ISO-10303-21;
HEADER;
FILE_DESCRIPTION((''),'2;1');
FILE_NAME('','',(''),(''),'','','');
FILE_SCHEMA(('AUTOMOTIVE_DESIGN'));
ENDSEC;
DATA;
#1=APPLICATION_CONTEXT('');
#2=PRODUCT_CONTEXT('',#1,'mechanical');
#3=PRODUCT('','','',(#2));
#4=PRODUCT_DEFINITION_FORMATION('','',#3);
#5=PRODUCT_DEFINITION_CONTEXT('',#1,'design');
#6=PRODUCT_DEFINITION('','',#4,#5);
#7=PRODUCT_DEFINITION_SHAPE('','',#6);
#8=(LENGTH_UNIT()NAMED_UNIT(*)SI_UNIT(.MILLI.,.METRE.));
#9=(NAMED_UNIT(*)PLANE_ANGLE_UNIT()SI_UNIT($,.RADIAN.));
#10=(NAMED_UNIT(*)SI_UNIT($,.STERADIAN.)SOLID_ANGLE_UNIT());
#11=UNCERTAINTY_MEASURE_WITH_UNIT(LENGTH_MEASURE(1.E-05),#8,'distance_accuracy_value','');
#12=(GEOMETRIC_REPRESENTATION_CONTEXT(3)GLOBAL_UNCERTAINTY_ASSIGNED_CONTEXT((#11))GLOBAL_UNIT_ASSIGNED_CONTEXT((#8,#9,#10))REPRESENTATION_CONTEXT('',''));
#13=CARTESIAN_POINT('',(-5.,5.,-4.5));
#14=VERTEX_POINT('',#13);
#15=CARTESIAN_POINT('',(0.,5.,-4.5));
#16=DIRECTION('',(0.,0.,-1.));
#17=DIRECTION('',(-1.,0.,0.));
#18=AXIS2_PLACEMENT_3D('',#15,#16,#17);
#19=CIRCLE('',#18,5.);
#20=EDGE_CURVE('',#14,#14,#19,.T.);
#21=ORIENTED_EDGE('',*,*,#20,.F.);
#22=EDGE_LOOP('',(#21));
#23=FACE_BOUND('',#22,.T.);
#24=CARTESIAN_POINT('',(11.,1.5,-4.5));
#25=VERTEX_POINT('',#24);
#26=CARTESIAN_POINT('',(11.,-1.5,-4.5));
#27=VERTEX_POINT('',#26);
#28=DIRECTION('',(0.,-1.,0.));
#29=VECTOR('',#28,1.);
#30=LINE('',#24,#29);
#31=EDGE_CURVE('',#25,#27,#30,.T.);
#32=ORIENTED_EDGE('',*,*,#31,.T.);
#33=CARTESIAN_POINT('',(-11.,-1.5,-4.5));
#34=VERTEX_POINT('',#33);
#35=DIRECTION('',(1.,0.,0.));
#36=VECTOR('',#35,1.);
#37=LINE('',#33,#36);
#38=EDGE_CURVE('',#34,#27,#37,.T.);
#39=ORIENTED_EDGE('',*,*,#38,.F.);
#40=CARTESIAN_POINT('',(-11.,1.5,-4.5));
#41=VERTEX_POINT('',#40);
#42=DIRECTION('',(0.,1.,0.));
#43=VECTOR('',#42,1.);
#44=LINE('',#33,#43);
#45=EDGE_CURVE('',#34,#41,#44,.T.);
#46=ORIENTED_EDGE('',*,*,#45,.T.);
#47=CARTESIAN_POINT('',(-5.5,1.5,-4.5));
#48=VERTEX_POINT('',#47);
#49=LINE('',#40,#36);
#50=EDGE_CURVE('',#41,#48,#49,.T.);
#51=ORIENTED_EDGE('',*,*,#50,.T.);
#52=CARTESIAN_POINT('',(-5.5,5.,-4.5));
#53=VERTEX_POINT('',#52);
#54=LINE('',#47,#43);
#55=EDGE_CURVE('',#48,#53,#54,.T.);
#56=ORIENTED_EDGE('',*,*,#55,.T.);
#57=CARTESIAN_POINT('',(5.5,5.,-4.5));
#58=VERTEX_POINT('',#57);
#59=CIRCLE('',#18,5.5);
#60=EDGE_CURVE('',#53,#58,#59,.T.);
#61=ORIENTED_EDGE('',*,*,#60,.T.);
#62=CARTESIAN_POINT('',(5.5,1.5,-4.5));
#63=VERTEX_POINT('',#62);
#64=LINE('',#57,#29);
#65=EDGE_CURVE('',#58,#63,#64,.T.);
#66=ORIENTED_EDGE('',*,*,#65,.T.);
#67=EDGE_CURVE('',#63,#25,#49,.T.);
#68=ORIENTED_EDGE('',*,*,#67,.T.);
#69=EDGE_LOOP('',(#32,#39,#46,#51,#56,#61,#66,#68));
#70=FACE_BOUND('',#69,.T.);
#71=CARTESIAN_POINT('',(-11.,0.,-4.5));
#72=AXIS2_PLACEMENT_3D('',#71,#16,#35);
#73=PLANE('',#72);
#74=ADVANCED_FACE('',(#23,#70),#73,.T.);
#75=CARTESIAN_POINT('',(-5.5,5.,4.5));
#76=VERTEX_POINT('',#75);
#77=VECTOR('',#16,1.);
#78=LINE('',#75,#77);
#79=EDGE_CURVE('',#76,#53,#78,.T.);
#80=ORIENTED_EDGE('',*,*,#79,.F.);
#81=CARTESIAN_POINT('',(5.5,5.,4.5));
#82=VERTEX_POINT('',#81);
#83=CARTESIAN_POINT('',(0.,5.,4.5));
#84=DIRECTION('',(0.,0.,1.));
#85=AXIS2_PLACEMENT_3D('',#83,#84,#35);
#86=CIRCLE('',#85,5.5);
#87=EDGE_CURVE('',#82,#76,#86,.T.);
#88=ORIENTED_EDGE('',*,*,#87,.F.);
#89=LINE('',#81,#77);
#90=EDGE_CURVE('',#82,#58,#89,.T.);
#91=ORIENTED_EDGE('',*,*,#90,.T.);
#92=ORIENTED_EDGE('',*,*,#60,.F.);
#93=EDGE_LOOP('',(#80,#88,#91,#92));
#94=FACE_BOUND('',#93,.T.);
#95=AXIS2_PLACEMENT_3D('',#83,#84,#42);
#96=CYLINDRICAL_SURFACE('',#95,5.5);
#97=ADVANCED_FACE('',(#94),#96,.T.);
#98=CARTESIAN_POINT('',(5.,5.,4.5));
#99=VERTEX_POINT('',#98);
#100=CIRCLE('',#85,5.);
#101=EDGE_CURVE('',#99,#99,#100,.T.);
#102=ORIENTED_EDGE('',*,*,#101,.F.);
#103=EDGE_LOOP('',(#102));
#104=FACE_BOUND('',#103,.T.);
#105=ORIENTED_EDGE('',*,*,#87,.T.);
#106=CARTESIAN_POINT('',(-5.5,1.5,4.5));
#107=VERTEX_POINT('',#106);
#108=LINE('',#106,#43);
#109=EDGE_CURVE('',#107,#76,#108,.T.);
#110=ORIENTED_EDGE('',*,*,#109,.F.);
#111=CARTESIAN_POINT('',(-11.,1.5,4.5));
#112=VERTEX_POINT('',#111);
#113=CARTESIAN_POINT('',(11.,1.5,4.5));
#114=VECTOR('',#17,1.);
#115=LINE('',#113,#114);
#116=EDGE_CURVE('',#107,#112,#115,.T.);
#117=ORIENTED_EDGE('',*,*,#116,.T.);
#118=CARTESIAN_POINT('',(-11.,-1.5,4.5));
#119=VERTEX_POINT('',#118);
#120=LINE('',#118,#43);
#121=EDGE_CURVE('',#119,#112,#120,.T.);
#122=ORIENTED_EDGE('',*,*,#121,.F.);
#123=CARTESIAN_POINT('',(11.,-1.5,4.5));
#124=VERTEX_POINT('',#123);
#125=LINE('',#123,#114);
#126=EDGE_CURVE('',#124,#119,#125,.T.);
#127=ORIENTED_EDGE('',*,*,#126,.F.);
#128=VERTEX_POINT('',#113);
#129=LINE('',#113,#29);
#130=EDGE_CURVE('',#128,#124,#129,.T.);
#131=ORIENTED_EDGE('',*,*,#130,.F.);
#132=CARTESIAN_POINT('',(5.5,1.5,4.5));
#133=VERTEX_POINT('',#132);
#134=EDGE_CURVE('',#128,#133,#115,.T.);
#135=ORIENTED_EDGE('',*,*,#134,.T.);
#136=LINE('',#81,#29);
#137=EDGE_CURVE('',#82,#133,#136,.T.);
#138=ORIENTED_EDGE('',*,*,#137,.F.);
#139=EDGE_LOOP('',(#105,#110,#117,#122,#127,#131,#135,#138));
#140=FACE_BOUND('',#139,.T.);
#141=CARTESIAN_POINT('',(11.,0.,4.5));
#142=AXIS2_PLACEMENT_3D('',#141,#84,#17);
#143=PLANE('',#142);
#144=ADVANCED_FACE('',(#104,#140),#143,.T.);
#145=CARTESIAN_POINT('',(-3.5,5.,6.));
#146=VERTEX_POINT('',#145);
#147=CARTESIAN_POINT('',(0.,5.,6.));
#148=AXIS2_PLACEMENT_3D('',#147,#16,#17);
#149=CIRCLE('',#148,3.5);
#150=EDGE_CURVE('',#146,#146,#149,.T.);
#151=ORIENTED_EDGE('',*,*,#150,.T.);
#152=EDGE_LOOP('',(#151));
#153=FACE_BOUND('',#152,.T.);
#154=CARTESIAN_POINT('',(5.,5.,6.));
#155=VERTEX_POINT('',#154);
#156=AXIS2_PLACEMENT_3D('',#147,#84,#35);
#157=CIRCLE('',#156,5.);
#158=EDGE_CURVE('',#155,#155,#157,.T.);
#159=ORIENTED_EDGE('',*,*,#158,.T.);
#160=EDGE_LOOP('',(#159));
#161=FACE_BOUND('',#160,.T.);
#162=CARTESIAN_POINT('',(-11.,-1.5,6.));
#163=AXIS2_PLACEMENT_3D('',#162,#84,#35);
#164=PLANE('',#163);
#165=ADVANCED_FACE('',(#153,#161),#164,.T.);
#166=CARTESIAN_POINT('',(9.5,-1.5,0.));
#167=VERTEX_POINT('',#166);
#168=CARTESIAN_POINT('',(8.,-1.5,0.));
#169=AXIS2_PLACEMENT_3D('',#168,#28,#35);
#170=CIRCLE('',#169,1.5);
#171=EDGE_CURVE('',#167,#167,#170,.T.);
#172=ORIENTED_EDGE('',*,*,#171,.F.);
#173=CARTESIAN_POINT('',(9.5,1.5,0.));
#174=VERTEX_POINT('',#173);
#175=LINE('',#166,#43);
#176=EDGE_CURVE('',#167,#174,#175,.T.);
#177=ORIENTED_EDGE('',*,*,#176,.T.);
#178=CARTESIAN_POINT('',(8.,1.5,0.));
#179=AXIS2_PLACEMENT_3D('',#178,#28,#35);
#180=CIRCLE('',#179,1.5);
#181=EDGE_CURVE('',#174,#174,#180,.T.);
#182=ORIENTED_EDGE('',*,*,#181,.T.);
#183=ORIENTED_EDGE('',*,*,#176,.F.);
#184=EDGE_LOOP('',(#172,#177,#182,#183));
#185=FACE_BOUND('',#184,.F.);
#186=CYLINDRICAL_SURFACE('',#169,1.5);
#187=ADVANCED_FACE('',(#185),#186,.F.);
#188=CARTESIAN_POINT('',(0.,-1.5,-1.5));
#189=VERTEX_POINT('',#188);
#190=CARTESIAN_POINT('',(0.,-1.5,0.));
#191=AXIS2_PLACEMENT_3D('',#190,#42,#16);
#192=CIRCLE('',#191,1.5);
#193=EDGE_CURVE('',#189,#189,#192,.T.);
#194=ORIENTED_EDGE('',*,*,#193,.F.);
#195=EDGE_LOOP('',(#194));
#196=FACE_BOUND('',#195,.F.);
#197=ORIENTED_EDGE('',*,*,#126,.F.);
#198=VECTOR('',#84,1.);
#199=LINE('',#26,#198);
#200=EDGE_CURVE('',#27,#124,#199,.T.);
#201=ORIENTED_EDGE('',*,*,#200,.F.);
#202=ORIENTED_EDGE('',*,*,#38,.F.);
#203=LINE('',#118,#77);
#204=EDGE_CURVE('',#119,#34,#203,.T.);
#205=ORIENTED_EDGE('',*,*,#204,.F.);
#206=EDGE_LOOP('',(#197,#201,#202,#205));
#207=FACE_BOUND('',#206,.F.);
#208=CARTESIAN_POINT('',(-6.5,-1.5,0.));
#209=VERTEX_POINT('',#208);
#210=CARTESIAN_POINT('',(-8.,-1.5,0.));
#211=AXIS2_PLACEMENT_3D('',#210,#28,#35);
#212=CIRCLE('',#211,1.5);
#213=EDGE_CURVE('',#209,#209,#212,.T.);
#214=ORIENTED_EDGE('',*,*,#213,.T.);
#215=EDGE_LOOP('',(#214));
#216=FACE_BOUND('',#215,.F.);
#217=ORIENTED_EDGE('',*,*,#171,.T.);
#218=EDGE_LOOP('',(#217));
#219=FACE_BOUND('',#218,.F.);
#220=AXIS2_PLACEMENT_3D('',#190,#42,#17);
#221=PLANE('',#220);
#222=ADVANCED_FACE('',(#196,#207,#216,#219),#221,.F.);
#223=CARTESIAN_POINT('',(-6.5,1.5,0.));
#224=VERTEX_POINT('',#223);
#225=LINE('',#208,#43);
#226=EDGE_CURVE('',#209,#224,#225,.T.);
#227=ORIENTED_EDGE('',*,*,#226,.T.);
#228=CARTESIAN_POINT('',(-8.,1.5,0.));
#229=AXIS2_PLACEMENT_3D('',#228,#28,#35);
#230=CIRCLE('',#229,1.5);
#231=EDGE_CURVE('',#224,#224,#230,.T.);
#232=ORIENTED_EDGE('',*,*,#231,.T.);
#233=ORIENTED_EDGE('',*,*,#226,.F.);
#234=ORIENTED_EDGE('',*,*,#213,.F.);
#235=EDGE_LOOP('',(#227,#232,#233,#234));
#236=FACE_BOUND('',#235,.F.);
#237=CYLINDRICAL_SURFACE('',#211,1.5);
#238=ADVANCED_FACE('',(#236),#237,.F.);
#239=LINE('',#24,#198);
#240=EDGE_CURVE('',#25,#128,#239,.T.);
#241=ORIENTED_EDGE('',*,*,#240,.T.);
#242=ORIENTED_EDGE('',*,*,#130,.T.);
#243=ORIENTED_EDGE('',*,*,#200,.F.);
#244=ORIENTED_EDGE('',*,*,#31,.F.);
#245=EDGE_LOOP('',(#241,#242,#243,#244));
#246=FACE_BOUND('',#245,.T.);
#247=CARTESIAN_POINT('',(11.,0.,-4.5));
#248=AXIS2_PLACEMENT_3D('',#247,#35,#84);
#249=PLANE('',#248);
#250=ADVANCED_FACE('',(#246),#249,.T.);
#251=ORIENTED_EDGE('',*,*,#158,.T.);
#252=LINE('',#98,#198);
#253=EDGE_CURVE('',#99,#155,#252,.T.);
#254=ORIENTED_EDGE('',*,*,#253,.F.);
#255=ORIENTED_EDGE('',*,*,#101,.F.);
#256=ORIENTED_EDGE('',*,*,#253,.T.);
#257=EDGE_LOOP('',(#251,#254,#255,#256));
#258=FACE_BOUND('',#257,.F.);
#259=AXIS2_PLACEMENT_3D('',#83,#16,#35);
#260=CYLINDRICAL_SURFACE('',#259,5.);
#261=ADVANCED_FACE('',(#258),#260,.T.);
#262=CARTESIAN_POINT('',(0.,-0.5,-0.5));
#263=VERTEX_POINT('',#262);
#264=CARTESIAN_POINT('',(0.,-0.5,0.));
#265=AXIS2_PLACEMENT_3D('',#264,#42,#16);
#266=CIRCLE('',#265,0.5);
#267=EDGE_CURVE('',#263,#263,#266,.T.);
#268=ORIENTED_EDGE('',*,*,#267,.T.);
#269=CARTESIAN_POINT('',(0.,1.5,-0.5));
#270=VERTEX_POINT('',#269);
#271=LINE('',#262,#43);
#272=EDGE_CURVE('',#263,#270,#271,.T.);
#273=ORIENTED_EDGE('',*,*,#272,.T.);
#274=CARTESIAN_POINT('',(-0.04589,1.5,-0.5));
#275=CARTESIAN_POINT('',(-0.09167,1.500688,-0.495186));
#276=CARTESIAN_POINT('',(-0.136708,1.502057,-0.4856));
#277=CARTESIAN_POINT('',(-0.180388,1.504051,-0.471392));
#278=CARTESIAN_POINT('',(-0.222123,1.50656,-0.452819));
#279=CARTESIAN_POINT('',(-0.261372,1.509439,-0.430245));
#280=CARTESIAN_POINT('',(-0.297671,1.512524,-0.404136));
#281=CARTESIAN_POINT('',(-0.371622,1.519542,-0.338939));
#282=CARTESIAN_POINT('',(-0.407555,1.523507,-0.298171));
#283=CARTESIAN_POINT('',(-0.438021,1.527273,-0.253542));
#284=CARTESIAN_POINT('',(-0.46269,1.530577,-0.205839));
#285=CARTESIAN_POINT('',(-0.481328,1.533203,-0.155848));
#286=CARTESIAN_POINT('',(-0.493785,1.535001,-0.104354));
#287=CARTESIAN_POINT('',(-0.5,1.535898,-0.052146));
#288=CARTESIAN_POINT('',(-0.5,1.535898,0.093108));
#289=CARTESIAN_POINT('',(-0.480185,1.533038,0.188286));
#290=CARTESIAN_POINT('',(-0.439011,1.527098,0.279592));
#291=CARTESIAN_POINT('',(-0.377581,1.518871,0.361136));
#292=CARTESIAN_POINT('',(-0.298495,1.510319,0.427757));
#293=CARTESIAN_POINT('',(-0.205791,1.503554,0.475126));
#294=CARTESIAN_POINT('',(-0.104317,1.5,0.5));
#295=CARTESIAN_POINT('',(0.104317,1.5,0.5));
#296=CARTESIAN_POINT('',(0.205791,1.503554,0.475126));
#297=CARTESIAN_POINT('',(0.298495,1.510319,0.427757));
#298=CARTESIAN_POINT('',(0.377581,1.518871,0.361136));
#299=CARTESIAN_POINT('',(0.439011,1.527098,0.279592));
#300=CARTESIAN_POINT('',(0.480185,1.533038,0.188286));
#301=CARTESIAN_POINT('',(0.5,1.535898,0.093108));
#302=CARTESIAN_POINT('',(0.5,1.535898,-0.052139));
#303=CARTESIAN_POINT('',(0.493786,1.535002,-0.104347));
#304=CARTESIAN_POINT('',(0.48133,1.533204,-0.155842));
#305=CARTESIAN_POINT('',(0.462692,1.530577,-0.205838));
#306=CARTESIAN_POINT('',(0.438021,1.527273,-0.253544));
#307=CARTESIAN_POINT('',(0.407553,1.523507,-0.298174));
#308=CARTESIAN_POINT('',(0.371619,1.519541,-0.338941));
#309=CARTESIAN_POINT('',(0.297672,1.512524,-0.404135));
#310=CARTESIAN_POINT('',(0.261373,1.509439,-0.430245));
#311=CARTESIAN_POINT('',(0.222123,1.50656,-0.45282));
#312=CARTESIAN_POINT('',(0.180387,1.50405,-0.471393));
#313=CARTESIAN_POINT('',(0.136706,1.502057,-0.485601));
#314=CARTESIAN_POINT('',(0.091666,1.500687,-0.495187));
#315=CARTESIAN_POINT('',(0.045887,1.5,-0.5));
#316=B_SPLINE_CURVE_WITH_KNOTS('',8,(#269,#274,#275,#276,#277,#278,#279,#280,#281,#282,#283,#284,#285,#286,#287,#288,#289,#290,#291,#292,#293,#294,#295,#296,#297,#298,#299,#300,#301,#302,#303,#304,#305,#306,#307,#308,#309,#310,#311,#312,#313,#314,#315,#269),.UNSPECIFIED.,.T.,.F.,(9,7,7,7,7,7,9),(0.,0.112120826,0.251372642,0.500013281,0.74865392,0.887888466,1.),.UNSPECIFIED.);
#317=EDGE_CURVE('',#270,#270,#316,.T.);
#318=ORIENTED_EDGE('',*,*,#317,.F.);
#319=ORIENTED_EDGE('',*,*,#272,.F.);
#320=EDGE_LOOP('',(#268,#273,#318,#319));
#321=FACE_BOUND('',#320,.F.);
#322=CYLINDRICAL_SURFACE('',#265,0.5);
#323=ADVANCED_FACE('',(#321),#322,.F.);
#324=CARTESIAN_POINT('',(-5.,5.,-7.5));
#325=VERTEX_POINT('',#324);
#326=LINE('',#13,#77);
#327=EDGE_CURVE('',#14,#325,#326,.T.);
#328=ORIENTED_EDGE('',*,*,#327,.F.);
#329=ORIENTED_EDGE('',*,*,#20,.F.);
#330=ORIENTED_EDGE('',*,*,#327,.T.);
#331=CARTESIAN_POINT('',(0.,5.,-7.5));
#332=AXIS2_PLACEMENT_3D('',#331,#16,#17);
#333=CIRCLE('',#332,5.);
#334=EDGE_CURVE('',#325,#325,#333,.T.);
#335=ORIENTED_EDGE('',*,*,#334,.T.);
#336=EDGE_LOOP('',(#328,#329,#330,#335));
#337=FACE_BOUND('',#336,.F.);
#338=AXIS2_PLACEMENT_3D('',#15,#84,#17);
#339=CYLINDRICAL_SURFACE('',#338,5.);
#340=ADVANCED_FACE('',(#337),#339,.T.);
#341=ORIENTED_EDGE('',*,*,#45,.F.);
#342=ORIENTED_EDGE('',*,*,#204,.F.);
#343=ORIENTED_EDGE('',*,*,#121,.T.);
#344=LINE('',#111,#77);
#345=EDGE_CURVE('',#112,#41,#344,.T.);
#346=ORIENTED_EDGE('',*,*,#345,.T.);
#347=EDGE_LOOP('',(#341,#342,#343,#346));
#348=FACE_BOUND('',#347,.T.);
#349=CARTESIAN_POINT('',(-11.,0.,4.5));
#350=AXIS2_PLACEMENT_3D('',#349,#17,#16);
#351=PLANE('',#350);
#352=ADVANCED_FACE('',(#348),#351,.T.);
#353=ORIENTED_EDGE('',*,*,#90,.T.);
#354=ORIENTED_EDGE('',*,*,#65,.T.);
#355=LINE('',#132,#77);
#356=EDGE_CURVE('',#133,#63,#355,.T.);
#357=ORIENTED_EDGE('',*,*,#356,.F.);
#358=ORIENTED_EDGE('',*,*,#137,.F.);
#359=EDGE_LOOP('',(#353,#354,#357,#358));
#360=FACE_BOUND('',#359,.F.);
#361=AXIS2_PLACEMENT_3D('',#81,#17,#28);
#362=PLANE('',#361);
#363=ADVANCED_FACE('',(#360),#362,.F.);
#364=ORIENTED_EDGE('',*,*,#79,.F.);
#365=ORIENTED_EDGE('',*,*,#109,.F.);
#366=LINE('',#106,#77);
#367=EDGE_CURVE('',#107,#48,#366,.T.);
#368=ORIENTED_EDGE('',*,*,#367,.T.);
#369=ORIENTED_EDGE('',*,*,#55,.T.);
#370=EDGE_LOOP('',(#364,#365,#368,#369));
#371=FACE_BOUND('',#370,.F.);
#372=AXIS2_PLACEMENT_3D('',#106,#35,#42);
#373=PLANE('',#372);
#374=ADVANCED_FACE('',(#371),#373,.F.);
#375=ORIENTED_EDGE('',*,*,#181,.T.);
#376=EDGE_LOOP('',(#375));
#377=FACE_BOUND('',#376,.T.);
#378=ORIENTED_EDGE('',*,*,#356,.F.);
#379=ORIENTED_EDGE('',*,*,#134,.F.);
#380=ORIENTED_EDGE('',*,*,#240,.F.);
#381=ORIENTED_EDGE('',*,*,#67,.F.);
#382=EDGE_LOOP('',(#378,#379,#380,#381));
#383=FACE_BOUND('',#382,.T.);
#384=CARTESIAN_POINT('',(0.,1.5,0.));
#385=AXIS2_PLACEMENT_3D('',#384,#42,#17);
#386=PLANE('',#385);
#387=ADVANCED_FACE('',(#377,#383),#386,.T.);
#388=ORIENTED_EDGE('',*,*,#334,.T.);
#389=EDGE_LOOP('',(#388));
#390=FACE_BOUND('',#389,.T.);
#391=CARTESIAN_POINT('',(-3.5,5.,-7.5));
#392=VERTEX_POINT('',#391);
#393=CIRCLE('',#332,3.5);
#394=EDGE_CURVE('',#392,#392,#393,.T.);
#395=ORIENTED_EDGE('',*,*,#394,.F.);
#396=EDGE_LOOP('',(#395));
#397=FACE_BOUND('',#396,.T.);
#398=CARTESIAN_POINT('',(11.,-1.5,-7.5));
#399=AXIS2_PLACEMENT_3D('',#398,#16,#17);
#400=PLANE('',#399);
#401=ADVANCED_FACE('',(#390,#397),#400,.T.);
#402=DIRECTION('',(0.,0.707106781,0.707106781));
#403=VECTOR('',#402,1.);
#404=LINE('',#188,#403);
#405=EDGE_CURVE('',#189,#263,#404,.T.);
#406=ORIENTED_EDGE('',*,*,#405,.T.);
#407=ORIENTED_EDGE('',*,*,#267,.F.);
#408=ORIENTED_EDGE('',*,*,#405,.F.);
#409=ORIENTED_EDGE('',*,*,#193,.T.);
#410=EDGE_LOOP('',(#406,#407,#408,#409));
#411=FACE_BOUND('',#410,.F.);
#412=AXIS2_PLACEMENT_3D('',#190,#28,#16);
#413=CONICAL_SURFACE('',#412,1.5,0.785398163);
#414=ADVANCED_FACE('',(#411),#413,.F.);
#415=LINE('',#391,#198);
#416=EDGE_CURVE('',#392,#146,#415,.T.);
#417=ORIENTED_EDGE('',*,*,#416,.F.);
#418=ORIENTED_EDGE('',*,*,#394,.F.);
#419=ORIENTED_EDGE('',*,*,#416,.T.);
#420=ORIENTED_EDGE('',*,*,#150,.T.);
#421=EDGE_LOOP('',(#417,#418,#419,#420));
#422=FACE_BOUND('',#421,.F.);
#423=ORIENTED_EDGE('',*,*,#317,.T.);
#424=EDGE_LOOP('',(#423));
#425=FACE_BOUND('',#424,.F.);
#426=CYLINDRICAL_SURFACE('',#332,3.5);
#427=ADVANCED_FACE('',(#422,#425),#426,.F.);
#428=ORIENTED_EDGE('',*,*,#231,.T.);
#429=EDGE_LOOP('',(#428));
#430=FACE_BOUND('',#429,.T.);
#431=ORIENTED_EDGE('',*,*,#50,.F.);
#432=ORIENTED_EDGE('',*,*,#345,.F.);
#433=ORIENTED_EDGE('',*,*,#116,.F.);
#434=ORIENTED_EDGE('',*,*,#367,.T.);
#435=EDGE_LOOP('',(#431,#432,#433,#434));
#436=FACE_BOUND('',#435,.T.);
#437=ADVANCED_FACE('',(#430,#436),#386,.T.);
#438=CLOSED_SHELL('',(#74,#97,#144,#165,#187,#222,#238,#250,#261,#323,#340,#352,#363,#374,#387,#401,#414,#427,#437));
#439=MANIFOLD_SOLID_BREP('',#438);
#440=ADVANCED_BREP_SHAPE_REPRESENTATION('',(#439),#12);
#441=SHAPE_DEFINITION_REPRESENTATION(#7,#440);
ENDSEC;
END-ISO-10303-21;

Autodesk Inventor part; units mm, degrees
ref_plane "YZ Plane" through (0, 0, 0) normal (1, 0, 0) x (0, 1, 0)
ref_plane "XZ Plane" through (0, 0, 0) normal (0, 1, 0) x (-1, 0, 0)
ref_plane "XY Plane" through (0, 0, 0) normal (0, 0, 1) x (1, 0, 0)
sketch "Sketch1" plane through (0, 0, 0) normal (0, 1, 0) x (-1, 0, 0)
  line L0 (11, -4.5) -> (-11, -4.5)
  line L1 (-11, -4.5) -> (-11, 4.5)
  line L2 (-11, 4.5) -> (11, 4.5)
  line L3 (11, 4.5) -> (11, -4.5)
  line L4 (11, -4.5) -> (-11, 4.5) construction
  line L5 (-11, -4.5) -> (11, 4.5) construction
  point P0 (0, 0)
  dimension "d0" = 22
  dimension "d1" = 9
extrude "Extrusion1" add sketch "Sketch1" along normal mid plane 3
sketch "Sketch2" plane through (-11, 1.5, 4.5) normal (0, 0, 1) x (1, 0, 0)
  line L0 (11, 9) -> (11, 9)
  line L1 (16.5, 3.5) -> (16.5, 0)
  line L2 (16.5, 0) -> (5.5, 0)
  line L3 (5.5, 0) -> (5.5, 3.5)
  line L4 (22, 0) -> (0, 0) projected
  line L5 (5.5, 4.5) -> (16.5, -4.5) construction
  line L6 (16.5, 4.5) -> (5.5, -4.5) construction
  arc A0 (11, 9) -> (5.5, 3.5) centre (11, 3.5) ccw
  arc A1 (16.5, 3.5) -> (11, 9) centre (11, 3.5) ccw
  point P0 (11, -1.5)
  point P1 (16.5, 9)
  point P2 (11, 0)
  dimension "d4" = 11
  dimension "d5" = 9
  dimension "d6" = 0
  dimension "d7" = 5.5
extrude "Extrusion2" add sketch "Sketch2" against normal blind 9
sketch "Sketch3" plane through (-11, -1.5, 4.5) normal (0, 0, 1) x (1, 0, 0)
  circle A0 centre (11, 6.5) radius 5
  line L0 (5.5, 6.5) -> (5.5, 3) projected
  point P0 (11, 1.5)
  dimension "d10" = 10
  dimension "d11" = 5.5
extrude "Extrusion3" add sketch "Sketch3" along normal blind 1.5
sketch "Sketch4" plane through (11, -1.5, -4.5) normal (0, 0, -1) x (-1, 0, 0)
  arc A0 (16.5, 6.5) -> (5.5, 6.5) centre (11, 6.5) ccw projected
  circle A1 centre (11, 6.5) radius 5
  point P0 (11, 1.5)
  dimension "d14" = 10
extrude "Extrusion4" add sketch "Sketch4" along normal blind 3
sketch "Sketch5" plane through (0, 5, -7.5) normal (0, 0, -1) x (-1, 0, 0)
  circle A0 centre (0, 0) radius 3.5
  point P0 (0, -5)
  dimension "d17" = 7
extrude "Extrusion5" cut sketch "Sketch5" against normal through all
sketch "Sketch6" plane through (0, -1.5, 0) normal (0, -1, 0) x (1, 0, 0)
  circle A0 centre (-8, 0) radius 1.5
  line L0 (-11, 4.5) -> (-11, -4.5) projected
  point P0 (0, 0)
  dimension "d20" = 3
  dimension "d21" = 3
extrude "Extrusion6" cut sketch "Sketch6" against normal through all
sketch "Sketch7" plane through (0, -1.5, 0) normal (0, -1, 0) x (1, 0, 0)
  circle A0 centre (8, 0) radius 1.5
  line L0 (11, -4.5) -> (11, 4.5) projected
  point P0 (0, 0)
  dimension "d24" = 3
  dimension "d25" = 3
extrude "Extrusion7" cut sketch "Sketch7" against normal through all
sketch "Sketch8" plane through (0, -1.5, 0) normal (0, -1, 0) x (1, 0, 0)
  circle A0 centre (0, 0) radius 1.5
  dimension "d28" = 3
hole "Hole1" at (0, -1.5, 0) direction (0, 1, 0) diameter 1 depth 3.04 tip angle 118 countersink diameter 3 countersink angle 90
properties material "Brass, Soft Yellow, Welded"
